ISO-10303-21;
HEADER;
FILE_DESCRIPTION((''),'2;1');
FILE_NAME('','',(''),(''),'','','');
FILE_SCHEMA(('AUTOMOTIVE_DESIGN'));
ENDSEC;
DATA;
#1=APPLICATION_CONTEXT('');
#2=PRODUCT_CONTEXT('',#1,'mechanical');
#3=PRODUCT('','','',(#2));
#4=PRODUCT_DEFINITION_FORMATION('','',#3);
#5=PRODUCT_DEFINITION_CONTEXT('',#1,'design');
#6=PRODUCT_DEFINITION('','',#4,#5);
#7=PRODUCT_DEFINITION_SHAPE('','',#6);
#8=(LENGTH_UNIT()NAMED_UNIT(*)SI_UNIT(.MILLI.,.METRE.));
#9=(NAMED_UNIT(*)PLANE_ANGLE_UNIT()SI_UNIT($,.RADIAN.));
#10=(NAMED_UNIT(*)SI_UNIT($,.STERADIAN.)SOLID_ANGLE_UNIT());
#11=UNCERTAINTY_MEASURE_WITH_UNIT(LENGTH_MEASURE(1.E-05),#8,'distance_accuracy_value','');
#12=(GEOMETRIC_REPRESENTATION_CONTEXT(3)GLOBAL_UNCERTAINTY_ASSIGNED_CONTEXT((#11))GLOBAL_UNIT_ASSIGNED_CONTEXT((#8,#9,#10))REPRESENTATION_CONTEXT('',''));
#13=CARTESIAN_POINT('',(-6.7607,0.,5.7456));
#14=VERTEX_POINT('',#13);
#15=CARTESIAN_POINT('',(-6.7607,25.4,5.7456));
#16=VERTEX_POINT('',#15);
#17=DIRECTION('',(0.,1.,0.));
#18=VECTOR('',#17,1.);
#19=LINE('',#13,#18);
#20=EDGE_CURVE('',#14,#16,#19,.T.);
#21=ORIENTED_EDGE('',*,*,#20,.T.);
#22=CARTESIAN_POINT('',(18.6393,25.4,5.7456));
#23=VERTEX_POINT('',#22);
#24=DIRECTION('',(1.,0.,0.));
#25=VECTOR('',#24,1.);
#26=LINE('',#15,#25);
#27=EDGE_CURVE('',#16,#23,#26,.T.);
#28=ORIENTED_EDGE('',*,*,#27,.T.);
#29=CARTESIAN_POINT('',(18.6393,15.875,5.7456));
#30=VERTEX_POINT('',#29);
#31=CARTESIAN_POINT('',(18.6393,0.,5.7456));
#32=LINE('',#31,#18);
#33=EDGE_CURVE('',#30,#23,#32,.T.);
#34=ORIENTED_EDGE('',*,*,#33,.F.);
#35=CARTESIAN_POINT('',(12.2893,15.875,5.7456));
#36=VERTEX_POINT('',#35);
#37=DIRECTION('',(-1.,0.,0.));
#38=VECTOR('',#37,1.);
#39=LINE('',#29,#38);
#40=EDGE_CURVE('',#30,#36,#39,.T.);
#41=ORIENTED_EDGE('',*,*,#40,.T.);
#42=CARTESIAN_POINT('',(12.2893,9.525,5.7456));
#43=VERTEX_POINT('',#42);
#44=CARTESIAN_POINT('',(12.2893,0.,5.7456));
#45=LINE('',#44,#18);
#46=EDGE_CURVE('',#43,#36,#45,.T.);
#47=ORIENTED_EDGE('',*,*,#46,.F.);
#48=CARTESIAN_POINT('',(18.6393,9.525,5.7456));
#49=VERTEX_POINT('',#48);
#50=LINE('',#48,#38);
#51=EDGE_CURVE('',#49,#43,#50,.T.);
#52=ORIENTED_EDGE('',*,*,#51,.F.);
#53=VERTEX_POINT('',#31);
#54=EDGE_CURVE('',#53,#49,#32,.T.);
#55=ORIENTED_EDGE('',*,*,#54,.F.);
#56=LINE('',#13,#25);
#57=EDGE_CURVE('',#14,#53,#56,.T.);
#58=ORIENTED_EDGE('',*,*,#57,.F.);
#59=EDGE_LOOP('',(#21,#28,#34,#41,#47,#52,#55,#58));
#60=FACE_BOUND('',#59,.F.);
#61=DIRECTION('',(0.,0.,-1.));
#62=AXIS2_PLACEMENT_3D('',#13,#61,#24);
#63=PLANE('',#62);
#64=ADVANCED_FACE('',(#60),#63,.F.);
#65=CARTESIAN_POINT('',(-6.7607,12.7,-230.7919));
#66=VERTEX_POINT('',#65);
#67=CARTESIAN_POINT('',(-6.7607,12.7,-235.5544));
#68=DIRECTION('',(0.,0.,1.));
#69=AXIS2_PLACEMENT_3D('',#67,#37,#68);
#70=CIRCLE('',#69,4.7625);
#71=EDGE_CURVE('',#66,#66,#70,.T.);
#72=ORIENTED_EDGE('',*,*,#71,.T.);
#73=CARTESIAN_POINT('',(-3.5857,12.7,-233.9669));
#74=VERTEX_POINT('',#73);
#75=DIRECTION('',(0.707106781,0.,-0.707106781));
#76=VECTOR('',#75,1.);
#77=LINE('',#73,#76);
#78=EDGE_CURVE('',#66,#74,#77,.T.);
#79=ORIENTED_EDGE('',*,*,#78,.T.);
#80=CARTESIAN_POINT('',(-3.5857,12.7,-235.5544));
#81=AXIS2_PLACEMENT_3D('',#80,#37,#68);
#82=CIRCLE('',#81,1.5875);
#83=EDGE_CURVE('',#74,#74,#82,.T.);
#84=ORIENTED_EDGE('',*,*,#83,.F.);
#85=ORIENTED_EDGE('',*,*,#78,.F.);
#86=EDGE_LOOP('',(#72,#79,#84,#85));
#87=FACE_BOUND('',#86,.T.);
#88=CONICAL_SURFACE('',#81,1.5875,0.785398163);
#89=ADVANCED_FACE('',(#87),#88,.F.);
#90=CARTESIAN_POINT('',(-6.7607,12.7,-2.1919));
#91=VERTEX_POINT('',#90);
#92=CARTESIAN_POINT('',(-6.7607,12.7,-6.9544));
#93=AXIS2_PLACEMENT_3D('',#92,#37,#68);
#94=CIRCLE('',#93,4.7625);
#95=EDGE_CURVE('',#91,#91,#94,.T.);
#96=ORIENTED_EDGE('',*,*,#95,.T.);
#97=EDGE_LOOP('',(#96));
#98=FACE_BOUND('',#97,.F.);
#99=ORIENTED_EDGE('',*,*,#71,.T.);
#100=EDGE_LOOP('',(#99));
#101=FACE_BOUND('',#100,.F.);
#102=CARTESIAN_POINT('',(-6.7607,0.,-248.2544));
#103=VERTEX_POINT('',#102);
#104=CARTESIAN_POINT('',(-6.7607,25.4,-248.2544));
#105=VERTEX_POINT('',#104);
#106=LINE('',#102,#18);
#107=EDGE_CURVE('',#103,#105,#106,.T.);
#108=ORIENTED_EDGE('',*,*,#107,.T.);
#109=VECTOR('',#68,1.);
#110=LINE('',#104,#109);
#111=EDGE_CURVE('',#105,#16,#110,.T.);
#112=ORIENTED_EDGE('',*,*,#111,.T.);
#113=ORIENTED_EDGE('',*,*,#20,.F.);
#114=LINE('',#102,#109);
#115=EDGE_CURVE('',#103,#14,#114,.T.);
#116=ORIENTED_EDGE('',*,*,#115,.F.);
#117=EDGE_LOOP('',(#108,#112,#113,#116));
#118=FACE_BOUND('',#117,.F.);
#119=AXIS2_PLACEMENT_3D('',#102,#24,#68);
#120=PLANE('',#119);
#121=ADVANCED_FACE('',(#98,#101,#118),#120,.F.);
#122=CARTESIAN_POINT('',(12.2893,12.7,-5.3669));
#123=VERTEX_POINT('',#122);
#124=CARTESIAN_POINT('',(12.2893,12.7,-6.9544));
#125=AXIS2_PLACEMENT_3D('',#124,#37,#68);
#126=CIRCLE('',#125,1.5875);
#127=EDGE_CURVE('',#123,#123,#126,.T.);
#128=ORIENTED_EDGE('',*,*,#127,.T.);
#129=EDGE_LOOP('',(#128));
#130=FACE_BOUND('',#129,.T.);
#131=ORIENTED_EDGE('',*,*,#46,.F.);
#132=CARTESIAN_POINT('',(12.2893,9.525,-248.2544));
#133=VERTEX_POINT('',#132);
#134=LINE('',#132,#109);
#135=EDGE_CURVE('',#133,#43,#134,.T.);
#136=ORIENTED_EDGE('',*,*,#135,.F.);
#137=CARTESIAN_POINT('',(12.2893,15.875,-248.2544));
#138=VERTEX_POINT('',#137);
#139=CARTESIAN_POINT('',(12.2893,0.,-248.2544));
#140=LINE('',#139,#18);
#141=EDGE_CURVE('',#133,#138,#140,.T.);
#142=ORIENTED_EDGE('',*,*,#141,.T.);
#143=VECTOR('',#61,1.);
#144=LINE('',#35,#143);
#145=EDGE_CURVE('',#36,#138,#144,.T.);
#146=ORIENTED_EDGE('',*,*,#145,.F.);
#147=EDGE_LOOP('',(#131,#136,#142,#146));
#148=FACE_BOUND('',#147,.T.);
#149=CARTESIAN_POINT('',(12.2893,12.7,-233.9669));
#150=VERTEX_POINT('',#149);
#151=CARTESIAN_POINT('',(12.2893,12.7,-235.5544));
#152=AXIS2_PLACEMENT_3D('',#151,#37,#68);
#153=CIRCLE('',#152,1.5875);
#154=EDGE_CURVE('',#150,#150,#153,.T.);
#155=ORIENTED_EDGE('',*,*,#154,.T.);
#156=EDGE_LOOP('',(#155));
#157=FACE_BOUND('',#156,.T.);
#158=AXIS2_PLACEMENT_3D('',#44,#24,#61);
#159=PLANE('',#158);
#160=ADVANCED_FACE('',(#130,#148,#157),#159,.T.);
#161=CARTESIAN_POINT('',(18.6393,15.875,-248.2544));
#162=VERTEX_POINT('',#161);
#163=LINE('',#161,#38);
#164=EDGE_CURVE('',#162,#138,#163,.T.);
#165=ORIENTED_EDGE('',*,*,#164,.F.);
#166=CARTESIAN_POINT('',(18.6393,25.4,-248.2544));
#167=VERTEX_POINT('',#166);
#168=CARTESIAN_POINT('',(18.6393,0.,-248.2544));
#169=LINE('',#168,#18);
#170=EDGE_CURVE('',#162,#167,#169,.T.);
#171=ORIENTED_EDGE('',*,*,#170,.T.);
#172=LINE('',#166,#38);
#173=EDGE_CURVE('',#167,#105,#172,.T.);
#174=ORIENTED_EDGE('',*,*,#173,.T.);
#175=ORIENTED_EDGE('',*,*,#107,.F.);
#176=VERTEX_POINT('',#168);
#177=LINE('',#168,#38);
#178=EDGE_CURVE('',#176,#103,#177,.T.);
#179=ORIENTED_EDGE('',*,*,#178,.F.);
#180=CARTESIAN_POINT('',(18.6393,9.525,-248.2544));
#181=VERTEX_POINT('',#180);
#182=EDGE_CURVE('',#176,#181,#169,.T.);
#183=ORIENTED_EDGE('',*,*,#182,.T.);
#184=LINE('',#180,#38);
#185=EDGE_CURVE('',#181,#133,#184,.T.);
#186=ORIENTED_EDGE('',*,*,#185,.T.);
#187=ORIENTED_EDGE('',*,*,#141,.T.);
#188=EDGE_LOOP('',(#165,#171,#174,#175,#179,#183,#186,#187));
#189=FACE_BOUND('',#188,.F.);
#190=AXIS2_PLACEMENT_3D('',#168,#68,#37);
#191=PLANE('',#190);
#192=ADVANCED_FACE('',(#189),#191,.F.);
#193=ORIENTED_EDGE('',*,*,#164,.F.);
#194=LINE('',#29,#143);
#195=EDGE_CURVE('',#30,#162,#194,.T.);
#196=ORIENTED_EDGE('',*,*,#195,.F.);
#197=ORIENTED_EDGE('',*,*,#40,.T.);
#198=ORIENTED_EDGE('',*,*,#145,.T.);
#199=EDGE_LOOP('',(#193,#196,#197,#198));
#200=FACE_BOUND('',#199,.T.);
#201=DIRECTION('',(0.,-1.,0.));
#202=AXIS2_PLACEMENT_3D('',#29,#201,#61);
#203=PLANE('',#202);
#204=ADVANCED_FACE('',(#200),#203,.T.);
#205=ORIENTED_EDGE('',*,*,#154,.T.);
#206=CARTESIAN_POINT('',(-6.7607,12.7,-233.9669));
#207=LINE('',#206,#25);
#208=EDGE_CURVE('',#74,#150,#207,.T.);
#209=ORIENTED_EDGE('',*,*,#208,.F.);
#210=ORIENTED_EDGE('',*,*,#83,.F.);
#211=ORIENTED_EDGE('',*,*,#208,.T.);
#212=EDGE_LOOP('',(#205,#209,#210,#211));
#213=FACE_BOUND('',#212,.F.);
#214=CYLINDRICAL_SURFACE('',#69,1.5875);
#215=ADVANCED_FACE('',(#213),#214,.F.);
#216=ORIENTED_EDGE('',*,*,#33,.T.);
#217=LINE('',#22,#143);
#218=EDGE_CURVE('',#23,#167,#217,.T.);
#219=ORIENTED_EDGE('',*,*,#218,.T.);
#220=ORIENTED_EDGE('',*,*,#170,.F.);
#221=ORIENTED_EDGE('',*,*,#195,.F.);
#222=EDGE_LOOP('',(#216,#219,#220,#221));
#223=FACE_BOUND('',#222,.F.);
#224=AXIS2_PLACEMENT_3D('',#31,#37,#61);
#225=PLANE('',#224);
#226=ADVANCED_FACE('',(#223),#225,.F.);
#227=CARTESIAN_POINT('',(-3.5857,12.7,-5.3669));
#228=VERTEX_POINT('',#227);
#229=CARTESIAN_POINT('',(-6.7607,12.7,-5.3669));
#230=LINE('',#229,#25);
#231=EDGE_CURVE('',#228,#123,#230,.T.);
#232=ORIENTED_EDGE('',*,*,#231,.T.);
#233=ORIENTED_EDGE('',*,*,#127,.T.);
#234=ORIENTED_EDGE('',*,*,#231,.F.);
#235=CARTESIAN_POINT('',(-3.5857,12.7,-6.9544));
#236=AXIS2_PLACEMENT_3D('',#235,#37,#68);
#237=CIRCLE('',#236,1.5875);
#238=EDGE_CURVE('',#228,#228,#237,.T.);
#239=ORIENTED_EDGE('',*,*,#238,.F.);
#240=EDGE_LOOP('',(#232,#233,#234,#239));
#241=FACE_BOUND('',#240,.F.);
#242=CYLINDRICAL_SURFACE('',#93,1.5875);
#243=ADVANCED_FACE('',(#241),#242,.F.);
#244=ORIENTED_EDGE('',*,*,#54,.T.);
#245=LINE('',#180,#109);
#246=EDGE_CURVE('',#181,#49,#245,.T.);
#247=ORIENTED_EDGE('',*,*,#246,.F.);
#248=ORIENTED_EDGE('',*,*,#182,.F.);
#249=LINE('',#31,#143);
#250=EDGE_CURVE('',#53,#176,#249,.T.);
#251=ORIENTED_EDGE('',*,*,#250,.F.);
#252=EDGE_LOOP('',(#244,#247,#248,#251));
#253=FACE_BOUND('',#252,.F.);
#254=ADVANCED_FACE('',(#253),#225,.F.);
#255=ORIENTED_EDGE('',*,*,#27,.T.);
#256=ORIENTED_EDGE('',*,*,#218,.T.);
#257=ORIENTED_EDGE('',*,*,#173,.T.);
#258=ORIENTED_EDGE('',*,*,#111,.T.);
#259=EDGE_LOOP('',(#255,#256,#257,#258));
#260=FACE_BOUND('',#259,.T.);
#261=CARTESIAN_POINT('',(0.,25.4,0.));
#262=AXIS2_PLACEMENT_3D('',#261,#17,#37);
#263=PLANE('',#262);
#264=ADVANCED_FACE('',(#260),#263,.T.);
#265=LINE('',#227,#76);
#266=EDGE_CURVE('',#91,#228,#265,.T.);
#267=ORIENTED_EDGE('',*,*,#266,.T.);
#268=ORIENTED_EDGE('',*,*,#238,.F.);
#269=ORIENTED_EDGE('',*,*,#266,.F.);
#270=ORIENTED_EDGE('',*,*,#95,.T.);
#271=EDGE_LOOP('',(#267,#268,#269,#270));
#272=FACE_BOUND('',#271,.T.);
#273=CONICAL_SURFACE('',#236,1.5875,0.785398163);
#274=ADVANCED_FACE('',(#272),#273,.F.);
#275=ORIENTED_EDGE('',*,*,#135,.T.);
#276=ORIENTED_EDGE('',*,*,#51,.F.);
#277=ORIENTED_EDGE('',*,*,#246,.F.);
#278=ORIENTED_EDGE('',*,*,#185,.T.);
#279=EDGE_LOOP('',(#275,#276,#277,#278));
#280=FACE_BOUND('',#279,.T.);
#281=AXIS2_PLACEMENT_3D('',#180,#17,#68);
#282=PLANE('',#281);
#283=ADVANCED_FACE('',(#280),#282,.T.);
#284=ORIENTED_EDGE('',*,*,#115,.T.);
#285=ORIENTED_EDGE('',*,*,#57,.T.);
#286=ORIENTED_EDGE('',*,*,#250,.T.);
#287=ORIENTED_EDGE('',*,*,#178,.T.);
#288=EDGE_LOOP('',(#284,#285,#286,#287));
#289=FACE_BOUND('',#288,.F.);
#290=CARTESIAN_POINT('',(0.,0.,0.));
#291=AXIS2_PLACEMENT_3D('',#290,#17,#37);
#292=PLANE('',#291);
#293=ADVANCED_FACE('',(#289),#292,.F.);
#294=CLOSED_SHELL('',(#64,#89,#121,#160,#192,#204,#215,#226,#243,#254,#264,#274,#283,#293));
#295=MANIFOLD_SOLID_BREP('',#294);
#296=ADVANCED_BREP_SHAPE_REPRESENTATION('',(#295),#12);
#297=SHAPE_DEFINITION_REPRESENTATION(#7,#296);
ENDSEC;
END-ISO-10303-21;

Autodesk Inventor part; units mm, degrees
ref_plane "YZ Plane" through (0, 0, 0) normal (1, 0, 0) x (0, 1, 0)
ref_plane "XZ Plane" through (0, 0, 0) normal (0, 1, 0) x (-1, 0, 0)
ref_plane "XY Plane" through (0, 0, 0) normal (0, 0, 1) x (1, 0, 0)
sketch "Sketch1" plane through (0, 0, 0) normal (0, 1, 0) x (-1, 0, 0)
  line L0 (6.7607, 5.7456) -> (-18.6393, 5.7456)
  line L1 (-18.6393, 5.7456) -> (-18.6393, -248.2544)
  line L2 (-18.6393, -248.2544) -> (6.7607, -248.2544)
  line L3 (6.7607, -248.2544) -> (6.7607, 5.7456)
  point P0 (0, 0)
  dimension "d0" = 25.4
  dimension "d1" = 254
extrude "Extrusion1" add sketch "Sketch1" along normal blind 25.4
sketch "Sketch2" plane through (18.6393, 0, 5.7456) normal (1, 0, 0) x (0, 0, -1)
  line L0 (0, 0) -> (0, 25.4) projected
  line L1 (254, 0) -> (254, 25.4) projected
  line L2 (0, 15.875) -> (254, 15.875)
  line L3 (254, 15.875) -> (254, 9.525)
  line L4 (254, 9.525) -> (0, 9.525)
  line L5 (0, 9.525) -> (0, 15.875)
  line L6 (0, 25.4) -> (254, 25.4) projected
  line L7 (0, 0) -> (254, 0) projected
  point P0 (5.7456, 0)
  point P1 (0, 9.525)
  dimension "d4" = 6.35
  dimension "d5" = 9.525
extrude "Extrusion2" cut sketch "Sketch2" against normal blind 6.35 contours L0 L2 L1 L4
sketch "Sketch3" plane through (-6.7607, 0, -248.2544) normal (-1, 0, 0) x (0, 0, 1)
  circle A0 centre (241.3, 12.7) radius 1.5875
  circle A1 centre (12.7, 12.7) radius 1.5875
  line L0 (0, 0) -> (0, 25.4) projected
  line L1 (0, 25.4) -> (254, 25.4) projected
  line L2 (254, 0) -> (254, 25.4) projected
  line L3 (0, 0) -> (254, 0) projected
  point P0 (248.2544, 0)
  dimension "d8" = 3.175
  dimension "d9" = 3.175
  dimension "d10" = 12.7
  dimension "d11" = 12.7
  dimension "d12" = 12.7
  dimension "d13" = 12.7
extrude "Extrusion3" cut sketch "Sketch3" against normal blind 76.2 contours A0 | A1
chamfer "Chamfer1" distance 3.175 angle 45 2 edges at (-6.7607, 12.7, -237.1419) (-6.7607, 12.7, -8.5419)
properties part number "glass holder drawr X8"
